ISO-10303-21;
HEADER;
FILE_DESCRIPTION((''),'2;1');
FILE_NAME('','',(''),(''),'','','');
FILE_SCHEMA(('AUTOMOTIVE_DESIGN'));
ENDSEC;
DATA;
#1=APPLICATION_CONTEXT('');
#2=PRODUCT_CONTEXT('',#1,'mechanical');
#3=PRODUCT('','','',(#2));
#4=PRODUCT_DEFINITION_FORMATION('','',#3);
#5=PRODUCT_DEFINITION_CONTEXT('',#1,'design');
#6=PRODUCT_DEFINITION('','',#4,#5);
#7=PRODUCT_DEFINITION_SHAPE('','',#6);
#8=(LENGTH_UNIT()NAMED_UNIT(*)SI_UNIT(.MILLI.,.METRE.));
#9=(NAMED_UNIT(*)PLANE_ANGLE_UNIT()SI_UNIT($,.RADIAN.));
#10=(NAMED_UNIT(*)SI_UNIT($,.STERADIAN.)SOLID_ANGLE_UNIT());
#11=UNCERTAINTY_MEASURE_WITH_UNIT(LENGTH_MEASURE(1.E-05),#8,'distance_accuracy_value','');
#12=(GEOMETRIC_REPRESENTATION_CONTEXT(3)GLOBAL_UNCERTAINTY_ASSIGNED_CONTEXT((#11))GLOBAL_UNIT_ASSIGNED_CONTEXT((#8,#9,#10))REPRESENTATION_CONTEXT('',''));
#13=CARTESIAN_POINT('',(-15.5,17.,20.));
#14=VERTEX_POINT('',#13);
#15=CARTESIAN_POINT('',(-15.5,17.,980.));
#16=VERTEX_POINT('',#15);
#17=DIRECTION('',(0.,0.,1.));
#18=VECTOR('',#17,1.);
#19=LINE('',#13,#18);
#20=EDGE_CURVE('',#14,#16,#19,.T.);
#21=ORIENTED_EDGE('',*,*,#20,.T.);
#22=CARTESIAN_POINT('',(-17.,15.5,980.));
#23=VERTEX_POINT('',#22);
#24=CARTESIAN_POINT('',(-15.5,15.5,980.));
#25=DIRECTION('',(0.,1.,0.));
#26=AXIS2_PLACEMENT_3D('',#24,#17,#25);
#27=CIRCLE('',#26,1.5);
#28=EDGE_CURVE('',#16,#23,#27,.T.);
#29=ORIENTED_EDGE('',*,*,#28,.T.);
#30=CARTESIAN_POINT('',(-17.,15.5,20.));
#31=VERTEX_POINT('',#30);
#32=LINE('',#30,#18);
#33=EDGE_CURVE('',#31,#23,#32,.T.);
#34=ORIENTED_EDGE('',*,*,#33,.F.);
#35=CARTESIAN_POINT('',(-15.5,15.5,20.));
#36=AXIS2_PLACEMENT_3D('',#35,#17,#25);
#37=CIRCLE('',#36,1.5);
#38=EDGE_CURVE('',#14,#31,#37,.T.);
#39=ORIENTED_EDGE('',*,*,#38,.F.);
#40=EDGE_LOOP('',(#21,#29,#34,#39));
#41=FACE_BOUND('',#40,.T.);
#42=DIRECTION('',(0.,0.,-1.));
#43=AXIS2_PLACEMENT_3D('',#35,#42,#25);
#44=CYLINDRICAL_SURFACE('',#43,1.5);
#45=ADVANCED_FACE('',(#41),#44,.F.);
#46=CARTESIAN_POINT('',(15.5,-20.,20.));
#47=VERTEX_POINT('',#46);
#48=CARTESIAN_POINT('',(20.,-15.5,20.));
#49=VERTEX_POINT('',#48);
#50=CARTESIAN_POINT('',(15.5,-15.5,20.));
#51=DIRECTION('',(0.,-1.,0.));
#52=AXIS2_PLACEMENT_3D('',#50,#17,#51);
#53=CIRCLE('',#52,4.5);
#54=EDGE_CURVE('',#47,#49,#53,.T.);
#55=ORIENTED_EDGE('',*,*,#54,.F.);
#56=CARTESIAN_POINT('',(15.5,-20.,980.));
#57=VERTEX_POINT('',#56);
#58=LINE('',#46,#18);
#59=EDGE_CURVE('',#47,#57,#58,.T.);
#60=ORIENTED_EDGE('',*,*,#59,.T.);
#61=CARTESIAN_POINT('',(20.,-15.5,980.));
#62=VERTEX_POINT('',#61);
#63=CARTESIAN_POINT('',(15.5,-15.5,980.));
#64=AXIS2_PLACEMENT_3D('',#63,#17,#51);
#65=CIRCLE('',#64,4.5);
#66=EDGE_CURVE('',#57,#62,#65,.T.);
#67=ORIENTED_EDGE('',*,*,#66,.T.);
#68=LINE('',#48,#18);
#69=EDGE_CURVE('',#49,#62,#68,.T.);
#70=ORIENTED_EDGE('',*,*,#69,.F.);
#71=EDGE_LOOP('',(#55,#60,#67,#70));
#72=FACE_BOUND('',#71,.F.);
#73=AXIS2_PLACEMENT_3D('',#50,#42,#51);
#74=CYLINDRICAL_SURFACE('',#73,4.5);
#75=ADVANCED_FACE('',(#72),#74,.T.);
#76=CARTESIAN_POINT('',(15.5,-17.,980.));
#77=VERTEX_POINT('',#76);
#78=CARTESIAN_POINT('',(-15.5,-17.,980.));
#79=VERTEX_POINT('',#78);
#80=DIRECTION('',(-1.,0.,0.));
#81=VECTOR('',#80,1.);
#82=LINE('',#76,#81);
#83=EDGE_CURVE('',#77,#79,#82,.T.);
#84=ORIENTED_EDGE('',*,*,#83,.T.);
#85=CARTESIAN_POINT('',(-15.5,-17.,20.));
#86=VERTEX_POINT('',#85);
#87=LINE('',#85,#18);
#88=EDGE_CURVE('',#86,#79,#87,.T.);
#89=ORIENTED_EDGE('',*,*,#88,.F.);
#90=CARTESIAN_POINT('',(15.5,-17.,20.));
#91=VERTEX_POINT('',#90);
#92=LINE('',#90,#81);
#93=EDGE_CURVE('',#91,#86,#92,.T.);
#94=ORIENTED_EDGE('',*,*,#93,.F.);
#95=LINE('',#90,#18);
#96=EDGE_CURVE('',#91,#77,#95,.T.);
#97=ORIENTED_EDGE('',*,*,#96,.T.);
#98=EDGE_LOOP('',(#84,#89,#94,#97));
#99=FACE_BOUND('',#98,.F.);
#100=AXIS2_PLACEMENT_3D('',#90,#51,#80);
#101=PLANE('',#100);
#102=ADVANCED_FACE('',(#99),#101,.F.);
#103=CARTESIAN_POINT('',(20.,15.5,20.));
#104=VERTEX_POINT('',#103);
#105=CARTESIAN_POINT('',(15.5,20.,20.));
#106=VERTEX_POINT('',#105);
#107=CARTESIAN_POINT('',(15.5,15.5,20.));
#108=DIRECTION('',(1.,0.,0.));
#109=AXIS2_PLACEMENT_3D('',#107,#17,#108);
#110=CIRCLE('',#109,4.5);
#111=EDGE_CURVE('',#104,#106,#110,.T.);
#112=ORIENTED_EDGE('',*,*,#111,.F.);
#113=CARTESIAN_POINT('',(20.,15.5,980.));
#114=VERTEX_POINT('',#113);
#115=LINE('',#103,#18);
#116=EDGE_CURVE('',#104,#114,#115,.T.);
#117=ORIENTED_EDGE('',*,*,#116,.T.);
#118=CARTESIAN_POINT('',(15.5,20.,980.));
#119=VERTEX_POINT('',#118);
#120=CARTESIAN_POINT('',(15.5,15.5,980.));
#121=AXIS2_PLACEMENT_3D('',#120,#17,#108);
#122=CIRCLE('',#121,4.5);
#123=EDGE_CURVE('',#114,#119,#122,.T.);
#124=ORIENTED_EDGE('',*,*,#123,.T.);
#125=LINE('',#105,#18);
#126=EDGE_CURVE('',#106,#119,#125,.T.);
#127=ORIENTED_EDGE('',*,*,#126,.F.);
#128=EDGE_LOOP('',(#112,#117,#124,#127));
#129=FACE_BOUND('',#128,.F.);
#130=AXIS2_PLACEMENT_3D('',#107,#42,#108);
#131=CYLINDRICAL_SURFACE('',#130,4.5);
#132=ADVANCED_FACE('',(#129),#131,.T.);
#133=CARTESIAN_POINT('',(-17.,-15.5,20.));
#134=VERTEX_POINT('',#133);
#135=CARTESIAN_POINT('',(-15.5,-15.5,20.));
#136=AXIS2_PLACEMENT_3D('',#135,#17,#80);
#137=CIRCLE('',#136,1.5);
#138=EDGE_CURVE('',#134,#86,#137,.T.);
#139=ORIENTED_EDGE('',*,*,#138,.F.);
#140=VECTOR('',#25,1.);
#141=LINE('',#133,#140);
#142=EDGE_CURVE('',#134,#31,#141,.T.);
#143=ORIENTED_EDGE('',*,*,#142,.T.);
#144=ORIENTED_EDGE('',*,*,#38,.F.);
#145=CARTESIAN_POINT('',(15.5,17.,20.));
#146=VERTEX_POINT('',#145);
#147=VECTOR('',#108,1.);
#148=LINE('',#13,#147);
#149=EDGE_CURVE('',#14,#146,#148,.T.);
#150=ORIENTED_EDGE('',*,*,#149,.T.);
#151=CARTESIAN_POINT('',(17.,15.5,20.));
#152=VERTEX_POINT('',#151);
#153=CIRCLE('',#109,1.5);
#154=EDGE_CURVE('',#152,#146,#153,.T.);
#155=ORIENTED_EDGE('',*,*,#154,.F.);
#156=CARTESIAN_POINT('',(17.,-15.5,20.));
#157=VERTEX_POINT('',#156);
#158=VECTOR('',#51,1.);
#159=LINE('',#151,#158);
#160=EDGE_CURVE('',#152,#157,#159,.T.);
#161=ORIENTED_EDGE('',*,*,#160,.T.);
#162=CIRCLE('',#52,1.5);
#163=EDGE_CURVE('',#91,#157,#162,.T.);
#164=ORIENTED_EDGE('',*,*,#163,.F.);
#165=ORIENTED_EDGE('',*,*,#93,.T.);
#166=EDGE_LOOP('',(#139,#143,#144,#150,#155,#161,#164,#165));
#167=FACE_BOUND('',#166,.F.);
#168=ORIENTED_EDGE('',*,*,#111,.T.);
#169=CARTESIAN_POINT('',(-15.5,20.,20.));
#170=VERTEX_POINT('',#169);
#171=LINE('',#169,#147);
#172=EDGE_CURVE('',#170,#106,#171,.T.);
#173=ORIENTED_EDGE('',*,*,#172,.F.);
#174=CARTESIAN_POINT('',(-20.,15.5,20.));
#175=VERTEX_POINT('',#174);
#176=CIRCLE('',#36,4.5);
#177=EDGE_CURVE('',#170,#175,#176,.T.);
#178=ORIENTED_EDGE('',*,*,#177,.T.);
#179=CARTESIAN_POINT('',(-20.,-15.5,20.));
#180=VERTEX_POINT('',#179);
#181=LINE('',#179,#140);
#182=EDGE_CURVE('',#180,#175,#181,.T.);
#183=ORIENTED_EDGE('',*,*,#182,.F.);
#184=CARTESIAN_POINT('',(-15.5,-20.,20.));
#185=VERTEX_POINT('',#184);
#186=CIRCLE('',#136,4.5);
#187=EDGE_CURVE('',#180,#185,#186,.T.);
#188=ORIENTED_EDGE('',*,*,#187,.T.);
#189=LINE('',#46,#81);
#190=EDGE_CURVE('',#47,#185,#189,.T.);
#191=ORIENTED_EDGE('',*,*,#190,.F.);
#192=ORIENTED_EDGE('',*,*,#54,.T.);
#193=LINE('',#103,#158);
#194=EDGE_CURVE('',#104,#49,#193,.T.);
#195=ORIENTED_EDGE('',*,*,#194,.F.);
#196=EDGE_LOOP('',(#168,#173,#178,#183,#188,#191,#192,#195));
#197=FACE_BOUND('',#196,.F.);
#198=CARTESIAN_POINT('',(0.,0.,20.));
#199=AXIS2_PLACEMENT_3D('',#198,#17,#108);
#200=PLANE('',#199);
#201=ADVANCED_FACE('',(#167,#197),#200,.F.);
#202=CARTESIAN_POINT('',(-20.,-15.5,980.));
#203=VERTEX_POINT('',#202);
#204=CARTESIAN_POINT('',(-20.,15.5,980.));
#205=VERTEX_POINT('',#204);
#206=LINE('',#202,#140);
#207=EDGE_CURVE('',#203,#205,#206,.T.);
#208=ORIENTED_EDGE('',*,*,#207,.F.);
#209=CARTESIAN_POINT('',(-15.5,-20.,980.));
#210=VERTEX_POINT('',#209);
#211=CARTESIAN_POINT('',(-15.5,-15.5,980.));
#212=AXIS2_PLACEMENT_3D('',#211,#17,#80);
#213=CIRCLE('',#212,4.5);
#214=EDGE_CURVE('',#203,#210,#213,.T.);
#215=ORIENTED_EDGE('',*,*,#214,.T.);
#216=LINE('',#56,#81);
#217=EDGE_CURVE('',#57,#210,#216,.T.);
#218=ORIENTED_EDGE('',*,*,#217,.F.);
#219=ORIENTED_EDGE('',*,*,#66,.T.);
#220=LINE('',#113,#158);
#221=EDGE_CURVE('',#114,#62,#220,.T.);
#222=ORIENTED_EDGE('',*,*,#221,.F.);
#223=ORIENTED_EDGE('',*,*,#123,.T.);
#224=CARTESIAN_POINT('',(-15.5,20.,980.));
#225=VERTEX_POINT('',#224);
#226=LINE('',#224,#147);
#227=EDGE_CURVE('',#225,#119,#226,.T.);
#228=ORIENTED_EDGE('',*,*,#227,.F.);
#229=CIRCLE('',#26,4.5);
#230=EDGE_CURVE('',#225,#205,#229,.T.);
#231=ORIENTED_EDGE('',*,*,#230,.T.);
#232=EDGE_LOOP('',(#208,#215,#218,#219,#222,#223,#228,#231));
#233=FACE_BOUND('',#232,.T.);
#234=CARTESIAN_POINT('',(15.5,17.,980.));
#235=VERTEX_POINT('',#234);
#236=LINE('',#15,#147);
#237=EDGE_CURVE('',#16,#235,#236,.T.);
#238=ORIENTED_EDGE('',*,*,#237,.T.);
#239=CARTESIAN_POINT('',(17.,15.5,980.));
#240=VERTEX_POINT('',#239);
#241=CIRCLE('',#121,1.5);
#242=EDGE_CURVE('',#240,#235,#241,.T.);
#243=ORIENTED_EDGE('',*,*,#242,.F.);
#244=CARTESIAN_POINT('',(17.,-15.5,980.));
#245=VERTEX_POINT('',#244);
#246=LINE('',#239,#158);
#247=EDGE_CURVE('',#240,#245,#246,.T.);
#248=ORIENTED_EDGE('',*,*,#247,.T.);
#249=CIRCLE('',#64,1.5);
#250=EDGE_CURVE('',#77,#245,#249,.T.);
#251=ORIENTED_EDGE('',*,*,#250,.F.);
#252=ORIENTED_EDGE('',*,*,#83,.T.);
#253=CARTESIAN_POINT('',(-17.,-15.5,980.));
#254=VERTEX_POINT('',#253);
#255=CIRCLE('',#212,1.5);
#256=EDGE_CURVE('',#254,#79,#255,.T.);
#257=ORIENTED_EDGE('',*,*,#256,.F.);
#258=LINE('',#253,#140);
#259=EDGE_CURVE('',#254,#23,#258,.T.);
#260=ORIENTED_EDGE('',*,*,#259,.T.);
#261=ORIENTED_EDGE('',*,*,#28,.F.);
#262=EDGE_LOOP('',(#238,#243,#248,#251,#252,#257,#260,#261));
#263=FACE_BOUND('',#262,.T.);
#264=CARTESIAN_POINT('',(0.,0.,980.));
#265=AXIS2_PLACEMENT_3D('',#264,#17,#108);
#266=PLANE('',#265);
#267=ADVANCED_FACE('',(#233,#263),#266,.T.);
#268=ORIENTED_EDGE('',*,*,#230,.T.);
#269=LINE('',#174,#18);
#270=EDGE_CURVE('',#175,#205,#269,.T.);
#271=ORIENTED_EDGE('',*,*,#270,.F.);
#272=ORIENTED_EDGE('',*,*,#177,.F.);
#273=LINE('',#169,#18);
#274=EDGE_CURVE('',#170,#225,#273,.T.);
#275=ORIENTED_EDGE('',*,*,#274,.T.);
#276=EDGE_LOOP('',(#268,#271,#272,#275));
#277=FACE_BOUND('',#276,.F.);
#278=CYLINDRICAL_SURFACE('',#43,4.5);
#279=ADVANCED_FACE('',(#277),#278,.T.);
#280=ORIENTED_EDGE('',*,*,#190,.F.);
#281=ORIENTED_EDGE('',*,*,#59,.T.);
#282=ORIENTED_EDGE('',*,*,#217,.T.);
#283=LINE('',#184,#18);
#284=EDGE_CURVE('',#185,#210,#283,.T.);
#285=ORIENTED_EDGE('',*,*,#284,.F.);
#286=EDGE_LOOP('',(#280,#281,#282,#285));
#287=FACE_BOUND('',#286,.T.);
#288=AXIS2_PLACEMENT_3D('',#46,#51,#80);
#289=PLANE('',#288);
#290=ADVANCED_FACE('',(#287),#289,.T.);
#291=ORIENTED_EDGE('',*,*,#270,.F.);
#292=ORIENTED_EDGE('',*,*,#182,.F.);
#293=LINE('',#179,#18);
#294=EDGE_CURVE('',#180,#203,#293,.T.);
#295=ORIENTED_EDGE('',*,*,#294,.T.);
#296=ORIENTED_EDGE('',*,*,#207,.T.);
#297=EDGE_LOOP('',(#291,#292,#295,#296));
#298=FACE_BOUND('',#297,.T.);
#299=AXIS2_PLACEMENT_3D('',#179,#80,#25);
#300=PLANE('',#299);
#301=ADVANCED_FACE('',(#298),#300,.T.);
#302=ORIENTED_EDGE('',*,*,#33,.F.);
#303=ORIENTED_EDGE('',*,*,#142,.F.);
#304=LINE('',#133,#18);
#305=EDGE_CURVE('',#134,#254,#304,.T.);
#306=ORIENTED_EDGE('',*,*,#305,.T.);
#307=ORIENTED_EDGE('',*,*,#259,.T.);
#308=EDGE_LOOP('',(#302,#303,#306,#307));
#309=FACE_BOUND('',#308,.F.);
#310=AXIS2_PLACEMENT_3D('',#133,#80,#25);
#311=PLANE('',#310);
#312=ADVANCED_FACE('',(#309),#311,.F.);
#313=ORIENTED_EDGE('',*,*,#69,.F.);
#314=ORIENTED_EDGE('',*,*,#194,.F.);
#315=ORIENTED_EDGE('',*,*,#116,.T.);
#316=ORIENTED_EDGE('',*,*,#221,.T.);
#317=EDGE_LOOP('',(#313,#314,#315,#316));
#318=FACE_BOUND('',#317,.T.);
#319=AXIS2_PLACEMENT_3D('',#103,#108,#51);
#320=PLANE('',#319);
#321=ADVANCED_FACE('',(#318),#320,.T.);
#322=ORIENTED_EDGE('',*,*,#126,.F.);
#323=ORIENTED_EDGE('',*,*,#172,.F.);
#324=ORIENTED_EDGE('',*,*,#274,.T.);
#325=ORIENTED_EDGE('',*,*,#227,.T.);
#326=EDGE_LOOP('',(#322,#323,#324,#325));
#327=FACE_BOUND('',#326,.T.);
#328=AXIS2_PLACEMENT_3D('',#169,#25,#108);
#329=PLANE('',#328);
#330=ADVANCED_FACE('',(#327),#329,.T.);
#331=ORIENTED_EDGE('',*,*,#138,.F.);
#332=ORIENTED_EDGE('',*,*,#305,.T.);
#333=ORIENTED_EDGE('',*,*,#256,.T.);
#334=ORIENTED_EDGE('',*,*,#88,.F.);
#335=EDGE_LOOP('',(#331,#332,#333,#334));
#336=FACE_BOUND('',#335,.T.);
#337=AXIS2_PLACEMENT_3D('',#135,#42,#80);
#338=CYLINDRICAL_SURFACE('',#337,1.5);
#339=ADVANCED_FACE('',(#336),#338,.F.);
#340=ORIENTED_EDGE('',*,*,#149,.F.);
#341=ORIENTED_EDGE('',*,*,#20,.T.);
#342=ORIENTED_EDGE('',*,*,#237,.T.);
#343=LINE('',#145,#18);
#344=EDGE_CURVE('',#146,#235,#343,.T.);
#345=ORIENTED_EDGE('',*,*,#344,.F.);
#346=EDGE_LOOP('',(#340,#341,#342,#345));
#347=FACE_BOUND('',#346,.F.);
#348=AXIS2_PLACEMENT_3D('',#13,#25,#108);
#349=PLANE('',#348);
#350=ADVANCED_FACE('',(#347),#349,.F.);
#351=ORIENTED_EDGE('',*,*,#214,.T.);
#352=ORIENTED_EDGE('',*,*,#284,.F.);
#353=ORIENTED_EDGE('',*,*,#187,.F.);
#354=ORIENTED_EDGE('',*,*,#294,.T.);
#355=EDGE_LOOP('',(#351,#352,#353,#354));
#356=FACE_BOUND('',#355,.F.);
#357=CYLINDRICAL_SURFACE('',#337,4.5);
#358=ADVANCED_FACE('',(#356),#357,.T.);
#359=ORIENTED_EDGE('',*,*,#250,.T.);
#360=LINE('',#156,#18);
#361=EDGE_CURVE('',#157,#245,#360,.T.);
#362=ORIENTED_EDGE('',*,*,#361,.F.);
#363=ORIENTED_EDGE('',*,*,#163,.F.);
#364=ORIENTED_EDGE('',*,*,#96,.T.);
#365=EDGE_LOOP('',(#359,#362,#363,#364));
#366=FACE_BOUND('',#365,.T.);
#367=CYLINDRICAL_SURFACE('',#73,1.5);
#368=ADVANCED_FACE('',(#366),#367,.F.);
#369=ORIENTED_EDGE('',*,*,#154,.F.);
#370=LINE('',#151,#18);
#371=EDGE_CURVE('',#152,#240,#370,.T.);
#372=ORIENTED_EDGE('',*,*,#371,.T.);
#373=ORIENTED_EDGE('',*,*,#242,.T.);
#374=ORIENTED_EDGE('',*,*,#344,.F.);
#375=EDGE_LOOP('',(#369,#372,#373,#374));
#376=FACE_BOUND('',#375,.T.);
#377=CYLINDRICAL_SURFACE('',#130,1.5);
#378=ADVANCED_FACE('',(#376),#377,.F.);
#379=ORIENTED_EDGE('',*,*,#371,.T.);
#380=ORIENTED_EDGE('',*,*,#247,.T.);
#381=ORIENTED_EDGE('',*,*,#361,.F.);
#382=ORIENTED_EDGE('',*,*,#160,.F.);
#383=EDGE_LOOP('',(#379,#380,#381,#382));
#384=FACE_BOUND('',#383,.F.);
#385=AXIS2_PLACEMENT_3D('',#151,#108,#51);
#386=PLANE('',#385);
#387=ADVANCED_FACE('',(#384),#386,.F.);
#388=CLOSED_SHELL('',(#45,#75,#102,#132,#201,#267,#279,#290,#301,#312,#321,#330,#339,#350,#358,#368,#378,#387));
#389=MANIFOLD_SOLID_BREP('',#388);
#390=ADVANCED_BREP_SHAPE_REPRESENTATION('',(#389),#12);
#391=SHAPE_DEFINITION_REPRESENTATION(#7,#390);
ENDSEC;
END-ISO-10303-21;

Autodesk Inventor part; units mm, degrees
ref_plane "Start Plane" through (0, 0, 20) normal (0, 0, 1) x (1, 0, 0)
ref_plane "End Plane" through (0, 0, 980) normal (0, 0, 1) x (1, 0, 0)
sketch "Sketch" plane through (0, 0, 0) normal (0, 0, 1) x (1, 0, 0)
  line L0 (-20, -15.5) -> (-20, 15.5)
  line L1 (-15.5, 20) -> (15.5, 20)
  line L2 (20, 15.5) -> (20, -15.5)
  line L3 (15.5, -20) -> (-15.5, -20)
  arc A0 (-20, -15.5) -> (-15.5, -20) centre (-15.5, -15.5) ccw
  arc A1 (-15.5, 20) -> (-20, 15.5) centre (-15.5, 15.5) ccw
  arc A2 (20, 15.5) -> (15.5, 20) centre (15.5, 15.5) ccw
  arc A3 (15.5, -20) -> (20, -15.5) centre (15.5, -15.5) ccw
  arc A4 (-15.5, 17) -> (-17, 15.5) centre (-15.5, 15.5) ccw
  line L4 (-15.5, 17) -> (15.5, 17)
  arc A5 (17, 15.5) -> (15.5, 17) centre (15.5, 15.5) ccw
  line L5 (17, 15.5) -> (17, -15.5)
  arc A6 (15.5, -17) -> (17, -15.5) centre (15.5, -15.5) ccw
  line L6 (15.5, -17) -> (-15.5, -17)
  arc A7 (-17, -15.5) -> (-15.5, -17) centre (-15.5, -15.5) ccw
  line L7 (-17, -15.5) -> (-17, 15.5)
  line L8 (0, 29.3048) -> (0, -29.3048) construction
  line L9 (-29.3048, 0) -> (29.3048, 0) construction
  dimension "d7" = 4.5
  dimension "d10" = 40
  dimension "d11" = 40
  dimension "d12" = 3
  dimension "d15" = 20
  dimension "d16" = 20
extrude "Body" add sketch "Sketch" along normal up to surface (960 mm away) from surface at 20
sketch "Sketch3" plane through (0, 0, 0) normal (0, 0, 1) x (1, 0, 0)
  line L0 (0, 0) -> (10, 0)
ref_plane "Work Plane3" through (0, 0, 0) normal (0, -1, 0) x (1, 0, 0)
ref_plane "Work Plane4" through (-480, 15.5, 980) normal (0, 0, 1) x (1, 0, 0)
split "Split1" plane through (-480, 15.5, 980) removes the side toward (0, 0, 1)
ref_plane "Work Plane5" through (-480, -15.5, 20) normal (0, 0, -1) x (-1, 0, 0)
split "Split2" plane through (-480, -15.5, 20) removes the side toward (0, 0, -1)
sketch "Sketch4" plane through (0, 0, 0) normal (0, -1, 0) x (1, 0, 0)
  line L0 (-2, 20) -> (12, 20) projected
  line L1 (-2, 980) -> (12, 980) projected
  dimension "d18" = 960
equation "\"d7\" = G_IR"
equation "\"d10\" = G_H"
equation "\"d11\" = G_W"
equation "\"d12\" = G_T"
equation "\"d15\" = 0.5 * d10"
equation "\"d16\" = 0.5 * d11"
equation "\"d3\" = G_L"
equation "\"G_W\" = 40"
equation "\"G_H\" = 40"
equation "\"G_T\" = 3"
equation "\"G_IR\" = 4.5"
equation "\"G_L\" = d18"
properties part number "ISO 12633-2 - 40x40x3 - 960" material "Steel, Mild"
